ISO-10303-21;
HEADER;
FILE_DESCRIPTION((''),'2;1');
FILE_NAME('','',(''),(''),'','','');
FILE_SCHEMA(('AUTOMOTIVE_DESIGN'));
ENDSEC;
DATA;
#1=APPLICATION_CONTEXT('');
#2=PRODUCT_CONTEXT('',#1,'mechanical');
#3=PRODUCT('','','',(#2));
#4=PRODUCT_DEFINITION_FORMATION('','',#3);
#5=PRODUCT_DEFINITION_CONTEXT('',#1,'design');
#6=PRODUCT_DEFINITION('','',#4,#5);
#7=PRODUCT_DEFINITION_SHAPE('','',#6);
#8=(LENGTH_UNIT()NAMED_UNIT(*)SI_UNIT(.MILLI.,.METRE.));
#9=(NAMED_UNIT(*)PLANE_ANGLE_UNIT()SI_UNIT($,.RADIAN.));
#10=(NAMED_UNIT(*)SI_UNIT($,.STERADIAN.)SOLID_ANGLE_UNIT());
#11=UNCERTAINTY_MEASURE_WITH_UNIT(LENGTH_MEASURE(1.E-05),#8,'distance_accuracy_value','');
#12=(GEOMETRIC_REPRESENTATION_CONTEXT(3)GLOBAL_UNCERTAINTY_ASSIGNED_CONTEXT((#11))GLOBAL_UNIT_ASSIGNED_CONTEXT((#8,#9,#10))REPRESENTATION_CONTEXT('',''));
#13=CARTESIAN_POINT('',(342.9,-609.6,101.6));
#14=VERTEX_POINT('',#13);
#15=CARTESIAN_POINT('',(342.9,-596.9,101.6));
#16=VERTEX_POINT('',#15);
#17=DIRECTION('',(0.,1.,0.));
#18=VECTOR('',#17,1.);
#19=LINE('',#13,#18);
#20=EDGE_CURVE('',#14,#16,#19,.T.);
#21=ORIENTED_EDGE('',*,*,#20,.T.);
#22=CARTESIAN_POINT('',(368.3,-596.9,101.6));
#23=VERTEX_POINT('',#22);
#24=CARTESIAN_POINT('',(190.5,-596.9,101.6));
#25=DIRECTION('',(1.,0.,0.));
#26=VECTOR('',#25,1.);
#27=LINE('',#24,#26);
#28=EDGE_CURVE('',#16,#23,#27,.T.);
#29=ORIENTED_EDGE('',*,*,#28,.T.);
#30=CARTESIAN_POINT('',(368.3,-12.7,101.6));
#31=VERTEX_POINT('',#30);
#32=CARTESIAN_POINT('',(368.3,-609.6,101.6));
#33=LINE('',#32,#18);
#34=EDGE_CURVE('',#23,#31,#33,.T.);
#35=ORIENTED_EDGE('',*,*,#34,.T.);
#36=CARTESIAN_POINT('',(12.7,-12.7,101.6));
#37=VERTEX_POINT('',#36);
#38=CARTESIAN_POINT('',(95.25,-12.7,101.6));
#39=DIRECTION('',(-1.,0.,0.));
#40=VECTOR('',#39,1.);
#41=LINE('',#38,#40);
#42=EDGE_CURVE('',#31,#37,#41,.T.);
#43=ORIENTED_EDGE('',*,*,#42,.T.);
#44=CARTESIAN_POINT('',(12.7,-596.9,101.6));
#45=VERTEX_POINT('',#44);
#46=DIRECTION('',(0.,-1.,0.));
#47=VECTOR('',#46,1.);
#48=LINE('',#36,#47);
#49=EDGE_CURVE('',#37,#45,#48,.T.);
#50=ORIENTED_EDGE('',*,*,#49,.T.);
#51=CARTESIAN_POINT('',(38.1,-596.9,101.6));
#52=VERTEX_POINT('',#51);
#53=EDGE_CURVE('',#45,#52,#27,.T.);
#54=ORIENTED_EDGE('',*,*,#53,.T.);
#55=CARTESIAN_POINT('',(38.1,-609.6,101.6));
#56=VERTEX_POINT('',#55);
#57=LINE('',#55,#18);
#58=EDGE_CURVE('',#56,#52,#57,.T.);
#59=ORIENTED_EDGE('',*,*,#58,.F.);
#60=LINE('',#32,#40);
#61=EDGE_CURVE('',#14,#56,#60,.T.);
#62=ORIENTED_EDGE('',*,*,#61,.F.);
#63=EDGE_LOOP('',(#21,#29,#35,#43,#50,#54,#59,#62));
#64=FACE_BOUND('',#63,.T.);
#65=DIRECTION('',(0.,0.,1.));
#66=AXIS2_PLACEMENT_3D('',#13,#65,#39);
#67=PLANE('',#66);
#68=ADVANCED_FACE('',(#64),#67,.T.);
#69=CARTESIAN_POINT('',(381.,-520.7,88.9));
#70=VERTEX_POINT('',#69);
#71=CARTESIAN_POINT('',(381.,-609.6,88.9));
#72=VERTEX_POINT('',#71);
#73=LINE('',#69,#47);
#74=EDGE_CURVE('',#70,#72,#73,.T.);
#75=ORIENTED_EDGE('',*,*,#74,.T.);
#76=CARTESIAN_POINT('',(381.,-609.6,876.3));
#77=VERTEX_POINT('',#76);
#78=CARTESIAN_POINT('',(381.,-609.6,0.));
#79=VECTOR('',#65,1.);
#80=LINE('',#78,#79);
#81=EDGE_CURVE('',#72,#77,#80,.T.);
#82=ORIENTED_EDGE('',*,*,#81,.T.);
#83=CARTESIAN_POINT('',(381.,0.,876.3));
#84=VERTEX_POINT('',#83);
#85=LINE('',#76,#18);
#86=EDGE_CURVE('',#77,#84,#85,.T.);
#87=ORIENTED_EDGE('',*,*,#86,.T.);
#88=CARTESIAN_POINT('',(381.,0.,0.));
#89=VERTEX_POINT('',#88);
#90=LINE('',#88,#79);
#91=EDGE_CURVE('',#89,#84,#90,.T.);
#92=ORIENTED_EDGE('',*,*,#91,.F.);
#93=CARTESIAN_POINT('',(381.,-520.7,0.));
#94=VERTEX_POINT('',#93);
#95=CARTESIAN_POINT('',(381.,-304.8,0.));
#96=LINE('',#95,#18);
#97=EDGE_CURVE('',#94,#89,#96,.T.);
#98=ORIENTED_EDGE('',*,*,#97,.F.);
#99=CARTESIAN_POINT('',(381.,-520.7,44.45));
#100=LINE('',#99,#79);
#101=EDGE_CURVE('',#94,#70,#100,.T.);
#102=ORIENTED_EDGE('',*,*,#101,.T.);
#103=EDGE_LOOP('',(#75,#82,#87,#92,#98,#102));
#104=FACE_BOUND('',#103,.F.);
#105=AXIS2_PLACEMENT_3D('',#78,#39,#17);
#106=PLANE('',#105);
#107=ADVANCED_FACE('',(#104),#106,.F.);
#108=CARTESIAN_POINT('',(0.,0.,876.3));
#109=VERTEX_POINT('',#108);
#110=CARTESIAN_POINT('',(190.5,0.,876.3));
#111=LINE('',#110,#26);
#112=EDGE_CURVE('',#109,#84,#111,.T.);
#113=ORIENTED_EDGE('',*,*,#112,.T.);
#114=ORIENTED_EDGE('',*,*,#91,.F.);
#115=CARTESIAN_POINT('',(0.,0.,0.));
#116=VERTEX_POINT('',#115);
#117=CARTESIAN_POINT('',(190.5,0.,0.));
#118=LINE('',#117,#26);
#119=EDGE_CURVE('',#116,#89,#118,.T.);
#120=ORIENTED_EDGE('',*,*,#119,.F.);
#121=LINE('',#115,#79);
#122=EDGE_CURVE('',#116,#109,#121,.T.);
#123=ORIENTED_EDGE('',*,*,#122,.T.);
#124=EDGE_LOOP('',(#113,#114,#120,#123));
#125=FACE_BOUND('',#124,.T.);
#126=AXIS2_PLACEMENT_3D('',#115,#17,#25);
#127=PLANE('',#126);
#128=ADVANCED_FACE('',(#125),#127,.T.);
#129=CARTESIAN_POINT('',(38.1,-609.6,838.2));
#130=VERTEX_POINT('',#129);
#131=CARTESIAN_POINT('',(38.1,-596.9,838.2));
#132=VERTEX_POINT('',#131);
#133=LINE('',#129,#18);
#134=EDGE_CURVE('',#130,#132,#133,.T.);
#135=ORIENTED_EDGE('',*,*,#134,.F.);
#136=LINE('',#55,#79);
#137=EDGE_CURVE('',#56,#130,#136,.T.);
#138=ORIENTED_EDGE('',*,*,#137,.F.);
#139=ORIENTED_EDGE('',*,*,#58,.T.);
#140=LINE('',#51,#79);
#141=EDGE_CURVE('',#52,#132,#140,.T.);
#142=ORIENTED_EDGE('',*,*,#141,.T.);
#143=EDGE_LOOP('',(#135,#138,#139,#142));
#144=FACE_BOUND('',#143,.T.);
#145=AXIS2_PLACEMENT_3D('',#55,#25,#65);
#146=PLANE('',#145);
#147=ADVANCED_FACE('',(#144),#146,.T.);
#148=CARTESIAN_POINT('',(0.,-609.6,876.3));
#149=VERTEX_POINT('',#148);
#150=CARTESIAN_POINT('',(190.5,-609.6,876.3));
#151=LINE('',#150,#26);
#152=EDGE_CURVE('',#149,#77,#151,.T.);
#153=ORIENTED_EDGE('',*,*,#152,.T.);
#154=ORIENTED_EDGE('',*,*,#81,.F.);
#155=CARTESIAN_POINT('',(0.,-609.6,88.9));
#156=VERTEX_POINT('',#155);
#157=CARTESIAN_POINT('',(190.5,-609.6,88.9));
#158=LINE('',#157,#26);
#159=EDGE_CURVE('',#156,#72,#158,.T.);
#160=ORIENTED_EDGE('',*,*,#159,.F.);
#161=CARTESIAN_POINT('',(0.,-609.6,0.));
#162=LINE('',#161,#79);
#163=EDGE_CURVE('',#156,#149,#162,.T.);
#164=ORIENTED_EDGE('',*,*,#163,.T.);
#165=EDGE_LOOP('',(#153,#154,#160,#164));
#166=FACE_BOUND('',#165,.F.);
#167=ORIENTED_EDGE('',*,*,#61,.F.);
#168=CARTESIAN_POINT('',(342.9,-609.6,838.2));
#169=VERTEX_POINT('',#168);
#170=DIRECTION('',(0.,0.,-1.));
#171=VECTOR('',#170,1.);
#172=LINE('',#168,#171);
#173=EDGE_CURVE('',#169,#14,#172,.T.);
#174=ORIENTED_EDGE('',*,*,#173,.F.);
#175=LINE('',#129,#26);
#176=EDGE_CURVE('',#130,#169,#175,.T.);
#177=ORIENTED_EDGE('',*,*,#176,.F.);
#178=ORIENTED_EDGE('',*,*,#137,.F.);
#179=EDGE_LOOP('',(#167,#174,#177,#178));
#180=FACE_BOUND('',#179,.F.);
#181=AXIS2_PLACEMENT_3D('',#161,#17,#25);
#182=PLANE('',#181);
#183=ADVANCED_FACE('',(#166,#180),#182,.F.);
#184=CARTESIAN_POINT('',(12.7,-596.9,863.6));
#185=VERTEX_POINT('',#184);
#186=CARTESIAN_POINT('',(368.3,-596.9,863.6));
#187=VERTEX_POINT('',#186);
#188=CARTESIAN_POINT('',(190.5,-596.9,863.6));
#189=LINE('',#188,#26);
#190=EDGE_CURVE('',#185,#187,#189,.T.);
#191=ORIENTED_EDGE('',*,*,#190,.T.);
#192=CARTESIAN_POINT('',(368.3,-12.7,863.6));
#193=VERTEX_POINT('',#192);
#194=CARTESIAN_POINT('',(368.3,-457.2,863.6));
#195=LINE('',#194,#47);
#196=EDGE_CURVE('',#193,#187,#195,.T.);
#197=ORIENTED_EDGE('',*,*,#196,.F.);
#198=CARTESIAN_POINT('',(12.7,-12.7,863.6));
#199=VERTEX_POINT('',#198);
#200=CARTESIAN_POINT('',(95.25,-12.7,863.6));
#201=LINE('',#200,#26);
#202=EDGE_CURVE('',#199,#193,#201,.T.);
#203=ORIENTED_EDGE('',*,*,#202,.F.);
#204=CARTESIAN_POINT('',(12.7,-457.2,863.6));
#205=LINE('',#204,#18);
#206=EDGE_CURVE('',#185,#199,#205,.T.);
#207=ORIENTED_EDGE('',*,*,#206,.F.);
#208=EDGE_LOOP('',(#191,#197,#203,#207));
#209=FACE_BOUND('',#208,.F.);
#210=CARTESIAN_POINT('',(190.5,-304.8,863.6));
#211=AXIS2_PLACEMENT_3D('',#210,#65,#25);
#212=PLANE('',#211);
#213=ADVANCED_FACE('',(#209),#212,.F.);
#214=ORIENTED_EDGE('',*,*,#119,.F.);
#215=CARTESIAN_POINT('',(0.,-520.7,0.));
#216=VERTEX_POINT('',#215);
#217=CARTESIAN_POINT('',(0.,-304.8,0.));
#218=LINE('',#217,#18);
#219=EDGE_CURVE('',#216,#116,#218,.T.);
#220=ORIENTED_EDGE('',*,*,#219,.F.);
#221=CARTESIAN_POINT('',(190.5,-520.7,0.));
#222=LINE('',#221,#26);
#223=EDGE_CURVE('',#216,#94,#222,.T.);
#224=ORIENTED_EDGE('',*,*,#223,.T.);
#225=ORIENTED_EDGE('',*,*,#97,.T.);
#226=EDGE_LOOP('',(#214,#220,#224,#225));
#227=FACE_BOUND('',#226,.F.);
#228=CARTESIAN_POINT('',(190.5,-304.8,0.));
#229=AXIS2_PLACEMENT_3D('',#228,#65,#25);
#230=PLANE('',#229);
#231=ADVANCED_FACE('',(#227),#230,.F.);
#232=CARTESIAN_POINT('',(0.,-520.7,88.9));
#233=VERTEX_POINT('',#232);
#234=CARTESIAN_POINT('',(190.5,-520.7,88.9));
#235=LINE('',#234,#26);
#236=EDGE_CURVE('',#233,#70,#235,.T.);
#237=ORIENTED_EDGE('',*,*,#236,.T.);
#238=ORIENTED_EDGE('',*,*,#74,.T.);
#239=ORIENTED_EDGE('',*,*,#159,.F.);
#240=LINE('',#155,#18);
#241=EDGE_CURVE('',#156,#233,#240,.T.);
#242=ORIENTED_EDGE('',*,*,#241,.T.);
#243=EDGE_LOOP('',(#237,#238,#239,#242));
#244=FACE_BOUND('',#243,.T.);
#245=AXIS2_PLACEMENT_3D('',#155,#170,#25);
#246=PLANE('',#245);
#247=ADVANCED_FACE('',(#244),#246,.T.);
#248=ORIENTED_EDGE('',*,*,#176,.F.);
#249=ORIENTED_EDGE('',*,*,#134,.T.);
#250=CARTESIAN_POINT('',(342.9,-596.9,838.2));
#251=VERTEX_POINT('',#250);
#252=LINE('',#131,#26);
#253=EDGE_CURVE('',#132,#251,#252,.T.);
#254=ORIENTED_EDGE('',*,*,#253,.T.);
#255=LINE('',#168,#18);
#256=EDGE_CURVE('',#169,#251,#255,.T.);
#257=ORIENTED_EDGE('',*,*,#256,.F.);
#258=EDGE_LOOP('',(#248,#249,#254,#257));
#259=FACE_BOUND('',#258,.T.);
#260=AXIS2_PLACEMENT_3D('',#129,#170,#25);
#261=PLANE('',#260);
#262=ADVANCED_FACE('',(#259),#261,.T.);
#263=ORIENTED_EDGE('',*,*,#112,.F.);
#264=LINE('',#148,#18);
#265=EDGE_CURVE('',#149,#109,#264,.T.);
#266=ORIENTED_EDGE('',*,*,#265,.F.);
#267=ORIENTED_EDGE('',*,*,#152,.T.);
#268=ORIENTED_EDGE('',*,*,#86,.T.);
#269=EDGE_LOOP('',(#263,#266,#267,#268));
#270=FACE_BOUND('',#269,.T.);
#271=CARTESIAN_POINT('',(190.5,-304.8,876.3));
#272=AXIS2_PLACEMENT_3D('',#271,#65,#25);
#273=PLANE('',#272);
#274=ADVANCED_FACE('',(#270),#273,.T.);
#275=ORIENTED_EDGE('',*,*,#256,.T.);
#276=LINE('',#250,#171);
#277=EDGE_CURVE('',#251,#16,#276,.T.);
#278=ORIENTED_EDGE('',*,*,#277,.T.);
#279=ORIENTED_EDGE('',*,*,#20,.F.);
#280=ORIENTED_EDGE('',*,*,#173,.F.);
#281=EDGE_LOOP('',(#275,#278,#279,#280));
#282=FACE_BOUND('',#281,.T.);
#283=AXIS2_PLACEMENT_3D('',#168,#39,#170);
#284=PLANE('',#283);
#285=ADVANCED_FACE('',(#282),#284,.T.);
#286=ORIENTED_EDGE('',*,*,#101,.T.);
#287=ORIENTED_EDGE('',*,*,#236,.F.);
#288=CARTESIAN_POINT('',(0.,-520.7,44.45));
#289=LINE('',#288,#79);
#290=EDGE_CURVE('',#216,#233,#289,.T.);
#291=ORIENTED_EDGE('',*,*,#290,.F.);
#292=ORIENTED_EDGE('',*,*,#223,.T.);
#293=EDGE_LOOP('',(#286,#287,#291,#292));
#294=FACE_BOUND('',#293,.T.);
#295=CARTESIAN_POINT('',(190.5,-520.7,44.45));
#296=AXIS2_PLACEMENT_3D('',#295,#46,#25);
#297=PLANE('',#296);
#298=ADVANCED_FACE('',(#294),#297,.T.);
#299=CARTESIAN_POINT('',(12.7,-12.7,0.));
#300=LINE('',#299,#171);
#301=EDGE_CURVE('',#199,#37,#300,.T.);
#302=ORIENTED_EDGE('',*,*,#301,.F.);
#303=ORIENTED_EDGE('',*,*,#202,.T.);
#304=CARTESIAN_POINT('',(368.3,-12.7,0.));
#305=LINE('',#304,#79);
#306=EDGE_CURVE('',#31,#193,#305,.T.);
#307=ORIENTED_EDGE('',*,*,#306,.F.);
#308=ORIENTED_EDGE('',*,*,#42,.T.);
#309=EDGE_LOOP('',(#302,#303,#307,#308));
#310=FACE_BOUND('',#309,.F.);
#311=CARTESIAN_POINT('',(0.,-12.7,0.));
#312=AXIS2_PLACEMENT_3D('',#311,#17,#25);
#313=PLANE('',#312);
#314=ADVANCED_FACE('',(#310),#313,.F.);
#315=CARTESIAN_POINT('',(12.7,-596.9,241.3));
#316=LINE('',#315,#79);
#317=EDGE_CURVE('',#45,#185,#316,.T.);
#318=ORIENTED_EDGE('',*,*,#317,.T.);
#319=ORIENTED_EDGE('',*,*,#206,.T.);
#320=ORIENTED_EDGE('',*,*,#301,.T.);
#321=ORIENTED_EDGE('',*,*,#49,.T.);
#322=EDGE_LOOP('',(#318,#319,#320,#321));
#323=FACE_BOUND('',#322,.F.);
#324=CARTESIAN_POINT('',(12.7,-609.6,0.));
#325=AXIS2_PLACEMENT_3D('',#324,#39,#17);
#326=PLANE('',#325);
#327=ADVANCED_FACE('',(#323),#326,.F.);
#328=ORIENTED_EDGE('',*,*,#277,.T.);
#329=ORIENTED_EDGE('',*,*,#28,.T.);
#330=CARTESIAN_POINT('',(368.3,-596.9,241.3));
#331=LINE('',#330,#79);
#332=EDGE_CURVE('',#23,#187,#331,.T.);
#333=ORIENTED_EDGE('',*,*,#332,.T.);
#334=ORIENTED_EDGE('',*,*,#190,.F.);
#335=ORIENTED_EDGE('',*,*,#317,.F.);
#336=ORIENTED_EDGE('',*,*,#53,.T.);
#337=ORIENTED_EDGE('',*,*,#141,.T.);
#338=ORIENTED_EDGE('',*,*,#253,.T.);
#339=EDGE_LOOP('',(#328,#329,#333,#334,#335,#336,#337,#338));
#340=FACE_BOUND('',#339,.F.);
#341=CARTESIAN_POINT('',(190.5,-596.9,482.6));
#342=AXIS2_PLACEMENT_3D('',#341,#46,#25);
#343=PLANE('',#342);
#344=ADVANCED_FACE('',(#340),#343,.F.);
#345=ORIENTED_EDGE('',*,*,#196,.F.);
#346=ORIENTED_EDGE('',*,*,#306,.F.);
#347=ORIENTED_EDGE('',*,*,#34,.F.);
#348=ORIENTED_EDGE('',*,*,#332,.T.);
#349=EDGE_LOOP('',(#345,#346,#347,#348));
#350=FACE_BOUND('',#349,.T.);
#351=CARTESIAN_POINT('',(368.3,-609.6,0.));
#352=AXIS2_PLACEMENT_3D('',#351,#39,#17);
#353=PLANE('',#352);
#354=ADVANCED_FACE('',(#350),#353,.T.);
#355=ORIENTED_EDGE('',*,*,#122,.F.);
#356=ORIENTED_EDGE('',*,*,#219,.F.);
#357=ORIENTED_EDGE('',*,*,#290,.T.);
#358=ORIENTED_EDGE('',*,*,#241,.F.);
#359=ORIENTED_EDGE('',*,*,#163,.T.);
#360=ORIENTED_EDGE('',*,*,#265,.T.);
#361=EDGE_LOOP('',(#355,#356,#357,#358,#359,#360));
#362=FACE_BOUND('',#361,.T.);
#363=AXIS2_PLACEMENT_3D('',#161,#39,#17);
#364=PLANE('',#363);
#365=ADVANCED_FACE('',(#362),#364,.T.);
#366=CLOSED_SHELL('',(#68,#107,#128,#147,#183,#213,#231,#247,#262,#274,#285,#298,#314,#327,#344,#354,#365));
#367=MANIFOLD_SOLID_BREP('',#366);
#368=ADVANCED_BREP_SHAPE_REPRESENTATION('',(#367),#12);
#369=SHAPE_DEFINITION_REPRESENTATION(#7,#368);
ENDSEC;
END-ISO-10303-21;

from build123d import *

# Parameters (mm, degrees)
F0_W     = 381
F0_H     = 609.6
F1_DEPTH = 876.3
F2_W     = 381
F2_H     = 88.9
F3_DEPTH = 88.9
F4_T     = -12.7
F5_DEPTH = 88.9
F6_W     = 381
F6_H     = 787.4
F7_DEPTH = 12.7


with BuildPart() as f1:
    # F0 (on Top) → F1 (new body)
    with BuildSketch(Plane.XY):
        with Locations((190.5, -304.8)):
            Rectangle(F0_W, F0_H)
    extrude(amount=F1_DEPTH)

    # F2 (on face) → F3 (cut)
    with BuildSketch(Plane.XZ.offset(609.6)):
        with Locations((190.5, 44.45)):
            Rectangle(F2_W, F2_H)
    extrude(amount=-F3_DEPTH, mode=Mode.SUBTRACT)

    # F4
    f4_openings = [f1.faces().sort_by_distance(p)[0] for p in [
        (190.5, -609.6, 482.6),
    ]]
    offset(amount=F4_T, openings=f4_openings, kind=Kind.INTERSECTION)

    # F5 (add, through all): a face of the model
    f5_faces = [f1.faces().sort_by_distance(p)[0] for p in [
        (190.5, -260.35, 12.7),
    ]]
    extrude(f5_faces, amount=F5_DEPTH)

    # F6 (on face) → F7 (join)
    with BuildSketch(Plane.XZ.offset(609.6)):
        with Locations((190.5, 482.6)):
            Rectangle(F6_W, F6_H)
        Polygon((342.9, 101.6), (38.1, 101.6), (12.7, 101.6), (12.7, 863.6), (368.3, 863.6), (368.3, 101.6), align=None, mode=Mode.SUBTRACT)
        Polygon((38.1, 101.6), (38.1, 838.2), (342.9, 838.2), (342.9, 101.6), (368.3, 101.6), (368.3, 863.6), (12.7, 863.6), (12.7, 101.6), align=None)
    extrude(amount=-F7_DEPTH)


solid = f1.part
